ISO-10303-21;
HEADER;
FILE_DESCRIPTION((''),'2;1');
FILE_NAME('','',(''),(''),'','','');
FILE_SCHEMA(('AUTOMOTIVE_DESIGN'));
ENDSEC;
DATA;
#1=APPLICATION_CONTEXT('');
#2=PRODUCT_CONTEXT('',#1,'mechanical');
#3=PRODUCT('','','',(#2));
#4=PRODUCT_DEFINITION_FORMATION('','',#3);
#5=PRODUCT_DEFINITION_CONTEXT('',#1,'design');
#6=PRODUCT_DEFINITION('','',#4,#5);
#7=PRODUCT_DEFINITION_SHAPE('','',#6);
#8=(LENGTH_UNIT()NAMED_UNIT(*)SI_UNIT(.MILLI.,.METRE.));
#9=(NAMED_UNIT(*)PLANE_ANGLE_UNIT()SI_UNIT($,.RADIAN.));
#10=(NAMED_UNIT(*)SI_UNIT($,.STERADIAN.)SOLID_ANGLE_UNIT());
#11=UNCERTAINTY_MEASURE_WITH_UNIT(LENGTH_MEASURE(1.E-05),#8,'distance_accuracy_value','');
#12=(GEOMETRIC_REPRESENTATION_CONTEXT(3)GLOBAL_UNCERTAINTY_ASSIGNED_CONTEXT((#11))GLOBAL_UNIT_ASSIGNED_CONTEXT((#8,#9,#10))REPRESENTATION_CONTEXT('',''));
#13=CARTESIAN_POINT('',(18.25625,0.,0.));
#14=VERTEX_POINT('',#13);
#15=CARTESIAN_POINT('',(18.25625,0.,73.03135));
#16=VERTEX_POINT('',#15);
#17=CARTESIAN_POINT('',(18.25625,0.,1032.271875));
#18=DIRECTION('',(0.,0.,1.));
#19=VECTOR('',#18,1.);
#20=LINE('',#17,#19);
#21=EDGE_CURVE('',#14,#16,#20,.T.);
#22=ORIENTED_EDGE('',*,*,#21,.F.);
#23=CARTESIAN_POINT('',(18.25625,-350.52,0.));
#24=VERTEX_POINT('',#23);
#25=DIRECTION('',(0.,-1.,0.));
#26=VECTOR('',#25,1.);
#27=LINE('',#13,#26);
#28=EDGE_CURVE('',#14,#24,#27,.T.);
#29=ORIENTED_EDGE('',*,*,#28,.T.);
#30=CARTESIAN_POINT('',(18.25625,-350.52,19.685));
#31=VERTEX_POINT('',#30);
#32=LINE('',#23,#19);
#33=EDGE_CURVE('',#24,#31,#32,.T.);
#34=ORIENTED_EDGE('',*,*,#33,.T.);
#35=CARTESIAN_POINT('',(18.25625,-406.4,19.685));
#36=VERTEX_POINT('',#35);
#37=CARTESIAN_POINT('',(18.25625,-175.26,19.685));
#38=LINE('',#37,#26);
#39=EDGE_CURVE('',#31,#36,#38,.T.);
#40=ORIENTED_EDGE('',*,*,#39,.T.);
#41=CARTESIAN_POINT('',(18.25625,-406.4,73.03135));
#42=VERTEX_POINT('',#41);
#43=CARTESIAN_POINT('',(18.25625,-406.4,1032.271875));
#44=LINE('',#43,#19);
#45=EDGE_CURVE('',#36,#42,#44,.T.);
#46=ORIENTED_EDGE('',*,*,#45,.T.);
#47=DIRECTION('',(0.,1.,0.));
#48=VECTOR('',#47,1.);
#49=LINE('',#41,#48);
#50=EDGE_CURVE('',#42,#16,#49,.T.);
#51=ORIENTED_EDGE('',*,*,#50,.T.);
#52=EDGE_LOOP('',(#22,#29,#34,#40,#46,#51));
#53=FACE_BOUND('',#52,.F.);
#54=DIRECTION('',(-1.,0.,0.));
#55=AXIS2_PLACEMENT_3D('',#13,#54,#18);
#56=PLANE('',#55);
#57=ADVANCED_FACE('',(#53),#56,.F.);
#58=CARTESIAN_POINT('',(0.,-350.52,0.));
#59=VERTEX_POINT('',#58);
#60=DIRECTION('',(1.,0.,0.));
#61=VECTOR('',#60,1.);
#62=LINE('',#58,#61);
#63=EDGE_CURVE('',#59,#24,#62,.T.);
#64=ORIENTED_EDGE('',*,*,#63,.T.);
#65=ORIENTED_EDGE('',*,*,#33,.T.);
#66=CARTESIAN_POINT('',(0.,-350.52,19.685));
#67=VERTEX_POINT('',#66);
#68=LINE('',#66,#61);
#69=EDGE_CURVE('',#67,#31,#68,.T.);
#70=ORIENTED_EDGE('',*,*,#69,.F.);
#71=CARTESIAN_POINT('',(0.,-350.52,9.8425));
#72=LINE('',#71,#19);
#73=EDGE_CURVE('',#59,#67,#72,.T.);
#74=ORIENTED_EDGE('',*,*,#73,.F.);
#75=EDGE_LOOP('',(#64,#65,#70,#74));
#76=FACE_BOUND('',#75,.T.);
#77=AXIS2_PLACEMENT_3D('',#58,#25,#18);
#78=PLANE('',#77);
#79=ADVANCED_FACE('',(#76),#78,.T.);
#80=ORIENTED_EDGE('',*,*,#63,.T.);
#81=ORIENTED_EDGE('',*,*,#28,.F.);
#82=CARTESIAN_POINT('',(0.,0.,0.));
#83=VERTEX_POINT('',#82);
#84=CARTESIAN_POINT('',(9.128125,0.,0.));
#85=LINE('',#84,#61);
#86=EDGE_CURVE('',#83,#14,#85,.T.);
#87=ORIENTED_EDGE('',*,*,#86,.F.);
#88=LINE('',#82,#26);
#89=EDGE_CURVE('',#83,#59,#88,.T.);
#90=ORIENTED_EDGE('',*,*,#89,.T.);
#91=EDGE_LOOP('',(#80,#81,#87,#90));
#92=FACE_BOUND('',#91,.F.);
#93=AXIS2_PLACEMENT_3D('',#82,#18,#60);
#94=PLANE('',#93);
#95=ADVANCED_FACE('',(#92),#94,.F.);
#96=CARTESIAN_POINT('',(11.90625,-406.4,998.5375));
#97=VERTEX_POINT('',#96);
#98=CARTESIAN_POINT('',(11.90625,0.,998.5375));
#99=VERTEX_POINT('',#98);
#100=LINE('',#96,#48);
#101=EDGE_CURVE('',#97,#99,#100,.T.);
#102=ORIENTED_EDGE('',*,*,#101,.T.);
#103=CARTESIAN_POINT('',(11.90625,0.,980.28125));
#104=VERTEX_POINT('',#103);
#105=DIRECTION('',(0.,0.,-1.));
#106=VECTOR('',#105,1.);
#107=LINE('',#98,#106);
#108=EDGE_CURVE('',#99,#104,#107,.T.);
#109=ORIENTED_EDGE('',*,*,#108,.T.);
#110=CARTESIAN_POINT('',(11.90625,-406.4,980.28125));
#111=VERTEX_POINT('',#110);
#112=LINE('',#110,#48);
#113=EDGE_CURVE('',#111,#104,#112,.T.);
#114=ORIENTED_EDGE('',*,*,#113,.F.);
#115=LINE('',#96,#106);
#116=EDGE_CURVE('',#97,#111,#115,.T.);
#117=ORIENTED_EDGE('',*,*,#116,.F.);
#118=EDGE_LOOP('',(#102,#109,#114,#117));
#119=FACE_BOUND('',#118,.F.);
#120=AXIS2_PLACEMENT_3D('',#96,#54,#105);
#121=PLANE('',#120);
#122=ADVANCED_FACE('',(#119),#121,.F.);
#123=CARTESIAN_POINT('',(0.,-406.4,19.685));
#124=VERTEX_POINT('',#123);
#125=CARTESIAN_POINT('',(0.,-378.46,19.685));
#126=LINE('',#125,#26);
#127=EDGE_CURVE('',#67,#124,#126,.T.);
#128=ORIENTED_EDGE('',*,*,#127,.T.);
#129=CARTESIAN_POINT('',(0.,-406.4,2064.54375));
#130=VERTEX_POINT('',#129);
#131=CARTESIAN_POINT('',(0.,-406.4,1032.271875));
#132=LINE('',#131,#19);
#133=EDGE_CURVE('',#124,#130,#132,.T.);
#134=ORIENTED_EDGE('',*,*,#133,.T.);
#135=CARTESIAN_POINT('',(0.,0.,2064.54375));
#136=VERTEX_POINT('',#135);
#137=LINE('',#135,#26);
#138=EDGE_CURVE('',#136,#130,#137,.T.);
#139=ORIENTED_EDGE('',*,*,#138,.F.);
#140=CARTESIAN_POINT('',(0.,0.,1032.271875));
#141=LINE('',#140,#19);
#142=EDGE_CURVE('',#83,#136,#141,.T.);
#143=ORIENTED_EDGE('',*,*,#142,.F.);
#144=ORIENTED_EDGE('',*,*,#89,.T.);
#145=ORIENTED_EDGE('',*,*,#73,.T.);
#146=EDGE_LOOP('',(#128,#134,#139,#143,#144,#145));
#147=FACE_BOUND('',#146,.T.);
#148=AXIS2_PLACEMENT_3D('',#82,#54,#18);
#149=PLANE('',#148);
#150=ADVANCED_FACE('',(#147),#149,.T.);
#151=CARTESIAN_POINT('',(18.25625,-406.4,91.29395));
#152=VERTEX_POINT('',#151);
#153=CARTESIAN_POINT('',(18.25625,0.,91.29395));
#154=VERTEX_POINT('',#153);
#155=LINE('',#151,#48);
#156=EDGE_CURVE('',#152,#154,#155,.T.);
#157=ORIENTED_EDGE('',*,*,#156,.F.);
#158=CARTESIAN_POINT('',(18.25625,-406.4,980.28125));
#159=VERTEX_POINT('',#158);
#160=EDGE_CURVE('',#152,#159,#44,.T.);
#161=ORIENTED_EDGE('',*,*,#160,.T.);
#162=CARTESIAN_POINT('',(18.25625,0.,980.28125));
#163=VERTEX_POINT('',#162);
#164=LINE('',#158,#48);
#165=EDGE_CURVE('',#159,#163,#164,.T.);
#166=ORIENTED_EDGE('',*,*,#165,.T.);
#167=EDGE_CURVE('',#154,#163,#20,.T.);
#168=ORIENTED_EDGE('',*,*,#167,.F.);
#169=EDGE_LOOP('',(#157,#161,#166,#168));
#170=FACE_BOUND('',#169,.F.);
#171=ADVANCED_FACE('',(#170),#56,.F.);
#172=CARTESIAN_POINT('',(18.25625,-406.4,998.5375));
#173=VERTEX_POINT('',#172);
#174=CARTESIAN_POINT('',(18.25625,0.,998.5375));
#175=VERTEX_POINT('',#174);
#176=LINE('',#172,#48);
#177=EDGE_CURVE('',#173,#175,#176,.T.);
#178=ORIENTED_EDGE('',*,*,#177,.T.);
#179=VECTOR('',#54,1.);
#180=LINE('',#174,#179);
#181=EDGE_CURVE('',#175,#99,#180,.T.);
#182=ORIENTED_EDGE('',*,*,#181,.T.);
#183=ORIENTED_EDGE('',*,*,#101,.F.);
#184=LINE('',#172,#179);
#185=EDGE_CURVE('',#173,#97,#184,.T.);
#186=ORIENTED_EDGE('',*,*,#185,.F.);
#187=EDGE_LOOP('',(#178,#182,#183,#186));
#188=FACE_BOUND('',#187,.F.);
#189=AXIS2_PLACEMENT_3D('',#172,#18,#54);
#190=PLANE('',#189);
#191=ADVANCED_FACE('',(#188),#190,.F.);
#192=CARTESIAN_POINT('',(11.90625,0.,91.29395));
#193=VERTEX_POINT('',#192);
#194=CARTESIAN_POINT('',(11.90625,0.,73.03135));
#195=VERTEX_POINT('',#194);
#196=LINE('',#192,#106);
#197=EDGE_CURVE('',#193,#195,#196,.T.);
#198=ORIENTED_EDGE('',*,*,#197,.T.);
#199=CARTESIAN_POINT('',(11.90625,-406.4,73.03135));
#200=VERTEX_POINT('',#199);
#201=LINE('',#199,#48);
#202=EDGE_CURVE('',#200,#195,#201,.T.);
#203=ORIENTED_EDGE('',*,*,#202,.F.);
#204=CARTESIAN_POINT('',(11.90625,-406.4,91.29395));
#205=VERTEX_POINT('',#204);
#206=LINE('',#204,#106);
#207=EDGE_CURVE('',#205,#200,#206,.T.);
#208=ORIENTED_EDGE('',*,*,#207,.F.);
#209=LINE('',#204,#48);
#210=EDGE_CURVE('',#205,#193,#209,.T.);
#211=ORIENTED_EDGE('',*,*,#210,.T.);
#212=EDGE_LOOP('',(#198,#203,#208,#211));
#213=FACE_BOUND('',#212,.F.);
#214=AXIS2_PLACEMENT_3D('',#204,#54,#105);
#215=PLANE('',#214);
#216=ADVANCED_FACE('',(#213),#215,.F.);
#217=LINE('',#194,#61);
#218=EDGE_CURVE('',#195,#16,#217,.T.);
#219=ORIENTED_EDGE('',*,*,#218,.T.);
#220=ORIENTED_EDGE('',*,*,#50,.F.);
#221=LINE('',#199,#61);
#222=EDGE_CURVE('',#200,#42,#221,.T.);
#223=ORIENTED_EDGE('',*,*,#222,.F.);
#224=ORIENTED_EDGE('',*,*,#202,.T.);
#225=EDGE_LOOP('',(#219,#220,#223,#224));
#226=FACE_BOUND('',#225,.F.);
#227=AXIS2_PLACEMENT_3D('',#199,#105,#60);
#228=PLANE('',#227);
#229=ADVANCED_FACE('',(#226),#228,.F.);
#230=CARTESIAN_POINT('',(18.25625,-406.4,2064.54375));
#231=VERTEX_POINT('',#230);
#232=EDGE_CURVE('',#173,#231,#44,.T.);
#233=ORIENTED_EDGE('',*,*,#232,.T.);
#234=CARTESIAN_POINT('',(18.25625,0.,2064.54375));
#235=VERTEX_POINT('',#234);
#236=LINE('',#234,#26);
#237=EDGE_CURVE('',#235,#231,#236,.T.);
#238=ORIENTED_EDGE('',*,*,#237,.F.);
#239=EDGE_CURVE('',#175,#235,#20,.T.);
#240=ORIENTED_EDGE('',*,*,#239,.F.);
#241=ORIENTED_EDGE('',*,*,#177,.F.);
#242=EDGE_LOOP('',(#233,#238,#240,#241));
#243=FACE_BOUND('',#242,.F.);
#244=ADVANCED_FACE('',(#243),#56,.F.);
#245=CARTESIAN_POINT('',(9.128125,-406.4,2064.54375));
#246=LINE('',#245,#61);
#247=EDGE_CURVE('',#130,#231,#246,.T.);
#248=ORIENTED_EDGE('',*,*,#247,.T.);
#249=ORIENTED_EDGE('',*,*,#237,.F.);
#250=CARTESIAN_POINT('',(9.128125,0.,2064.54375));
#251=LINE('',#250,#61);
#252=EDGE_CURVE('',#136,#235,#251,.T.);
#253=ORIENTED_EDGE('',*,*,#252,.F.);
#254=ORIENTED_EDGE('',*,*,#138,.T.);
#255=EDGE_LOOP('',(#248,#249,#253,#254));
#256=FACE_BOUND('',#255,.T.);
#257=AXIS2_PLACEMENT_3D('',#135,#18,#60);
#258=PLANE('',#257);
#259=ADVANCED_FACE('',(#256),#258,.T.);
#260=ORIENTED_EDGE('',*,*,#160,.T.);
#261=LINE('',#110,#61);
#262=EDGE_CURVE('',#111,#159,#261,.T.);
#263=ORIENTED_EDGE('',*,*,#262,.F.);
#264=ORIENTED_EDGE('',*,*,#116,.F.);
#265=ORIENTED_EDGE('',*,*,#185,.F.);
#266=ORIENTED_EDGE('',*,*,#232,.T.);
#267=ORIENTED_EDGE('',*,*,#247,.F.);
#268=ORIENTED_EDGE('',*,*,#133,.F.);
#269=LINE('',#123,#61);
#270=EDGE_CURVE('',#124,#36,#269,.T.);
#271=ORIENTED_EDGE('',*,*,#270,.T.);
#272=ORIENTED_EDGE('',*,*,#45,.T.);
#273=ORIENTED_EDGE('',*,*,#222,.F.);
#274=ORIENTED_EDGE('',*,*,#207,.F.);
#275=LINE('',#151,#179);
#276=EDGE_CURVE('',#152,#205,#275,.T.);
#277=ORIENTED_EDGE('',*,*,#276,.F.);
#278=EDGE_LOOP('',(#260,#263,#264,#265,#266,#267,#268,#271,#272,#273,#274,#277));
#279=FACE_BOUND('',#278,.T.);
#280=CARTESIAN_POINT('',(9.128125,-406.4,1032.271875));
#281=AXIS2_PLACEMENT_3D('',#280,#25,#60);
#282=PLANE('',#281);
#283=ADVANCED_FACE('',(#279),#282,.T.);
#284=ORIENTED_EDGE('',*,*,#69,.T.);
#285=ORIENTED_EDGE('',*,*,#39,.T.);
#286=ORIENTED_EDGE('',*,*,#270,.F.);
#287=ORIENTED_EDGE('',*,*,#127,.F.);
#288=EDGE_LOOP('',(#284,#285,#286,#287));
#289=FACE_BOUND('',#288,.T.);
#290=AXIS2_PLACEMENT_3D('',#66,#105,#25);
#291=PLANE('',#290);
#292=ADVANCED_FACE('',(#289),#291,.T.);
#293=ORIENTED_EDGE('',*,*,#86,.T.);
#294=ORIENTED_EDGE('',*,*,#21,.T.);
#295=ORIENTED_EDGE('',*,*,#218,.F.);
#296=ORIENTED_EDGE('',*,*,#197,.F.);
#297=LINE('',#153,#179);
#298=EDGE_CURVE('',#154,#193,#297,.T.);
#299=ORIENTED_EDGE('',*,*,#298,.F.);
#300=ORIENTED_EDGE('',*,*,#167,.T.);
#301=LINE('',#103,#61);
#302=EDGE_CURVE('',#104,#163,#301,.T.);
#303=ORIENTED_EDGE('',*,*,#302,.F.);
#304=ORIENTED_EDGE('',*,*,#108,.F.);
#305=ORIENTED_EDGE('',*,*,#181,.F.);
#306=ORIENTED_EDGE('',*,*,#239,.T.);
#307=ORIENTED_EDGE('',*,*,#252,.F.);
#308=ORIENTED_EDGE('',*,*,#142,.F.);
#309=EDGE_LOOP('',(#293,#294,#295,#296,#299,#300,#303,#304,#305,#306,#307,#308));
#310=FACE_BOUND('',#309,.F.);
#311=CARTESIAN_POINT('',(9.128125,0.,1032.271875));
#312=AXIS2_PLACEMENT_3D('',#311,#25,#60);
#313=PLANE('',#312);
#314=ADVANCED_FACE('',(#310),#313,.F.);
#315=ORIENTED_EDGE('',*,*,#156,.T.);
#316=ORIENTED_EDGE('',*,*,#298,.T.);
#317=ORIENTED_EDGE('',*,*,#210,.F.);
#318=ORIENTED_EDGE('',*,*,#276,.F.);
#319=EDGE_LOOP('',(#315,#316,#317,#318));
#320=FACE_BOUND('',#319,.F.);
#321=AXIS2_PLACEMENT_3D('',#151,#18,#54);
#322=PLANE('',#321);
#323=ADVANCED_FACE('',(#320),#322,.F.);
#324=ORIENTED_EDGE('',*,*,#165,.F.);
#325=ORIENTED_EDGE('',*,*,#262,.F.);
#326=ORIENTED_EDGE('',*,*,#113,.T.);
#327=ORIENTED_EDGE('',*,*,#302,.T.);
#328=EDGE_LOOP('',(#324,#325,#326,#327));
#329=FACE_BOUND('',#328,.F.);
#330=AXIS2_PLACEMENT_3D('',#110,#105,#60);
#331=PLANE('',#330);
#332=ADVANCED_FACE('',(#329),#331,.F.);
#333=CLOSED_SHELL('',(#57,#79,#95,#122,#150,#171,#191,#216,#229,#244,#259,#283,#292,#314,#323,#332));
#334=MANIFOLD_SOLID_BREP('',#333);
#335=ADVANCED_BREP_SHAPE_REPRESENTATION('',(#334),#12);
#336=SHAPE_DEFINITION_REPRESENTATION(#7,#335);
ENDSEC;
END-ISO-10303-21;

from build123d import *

# Parameters (mm, degrees)
F0_W     = 18.25625
F0_H     = 2064.54375
F1_DEPTH = 406.4
F3_DEPTH = 406.4
F4_W     = 55.88
F4_H     = 19.685
F5_DEPTH = 25.4


with BuildPart() as f1:
    # F0 (on Front) → F1 (new body)
    with BuildSketch(Plane.XZ):
        with Locations((9.128125, 1032.271875)):
            Rectangle(F0_W, F0_H)
    extrude(amount=F1_DEPTH)

    # F2 (on face) → F3 (cut)
    with BuildSketch(Plane.XZ.offset(406.4)):
        Polygon((11.90625, 73.03135), (18.25625, 73.03135), (18.25625, 91.2876), (18.25625, 91.29395), (11.90625, 91.29395), align=None)
        Polygon((11.90625, 980.28125), (18.25625, 980.28125), (18.25625, 995.793984), (18.25625, 998.5375), (11.90625, 998.5375), align=None)
    extrude(amount=-F3_DEPTH, mode=Mode.SUBTRACT)

    # F4 (on face) → F5 (cut)
    with BuildSketch(Plane(origin=(0, 0, 0), x_dir=(0, -1, 0), z_dir=(-1, 0, 0))):
        with Locations((378.46, 9.8425)):
            Rectangle(F4_W, F4_H)
    extrude(amount=-F5_DEPTH, mode=Mode.SUBTRACT)


solid = f1.part
